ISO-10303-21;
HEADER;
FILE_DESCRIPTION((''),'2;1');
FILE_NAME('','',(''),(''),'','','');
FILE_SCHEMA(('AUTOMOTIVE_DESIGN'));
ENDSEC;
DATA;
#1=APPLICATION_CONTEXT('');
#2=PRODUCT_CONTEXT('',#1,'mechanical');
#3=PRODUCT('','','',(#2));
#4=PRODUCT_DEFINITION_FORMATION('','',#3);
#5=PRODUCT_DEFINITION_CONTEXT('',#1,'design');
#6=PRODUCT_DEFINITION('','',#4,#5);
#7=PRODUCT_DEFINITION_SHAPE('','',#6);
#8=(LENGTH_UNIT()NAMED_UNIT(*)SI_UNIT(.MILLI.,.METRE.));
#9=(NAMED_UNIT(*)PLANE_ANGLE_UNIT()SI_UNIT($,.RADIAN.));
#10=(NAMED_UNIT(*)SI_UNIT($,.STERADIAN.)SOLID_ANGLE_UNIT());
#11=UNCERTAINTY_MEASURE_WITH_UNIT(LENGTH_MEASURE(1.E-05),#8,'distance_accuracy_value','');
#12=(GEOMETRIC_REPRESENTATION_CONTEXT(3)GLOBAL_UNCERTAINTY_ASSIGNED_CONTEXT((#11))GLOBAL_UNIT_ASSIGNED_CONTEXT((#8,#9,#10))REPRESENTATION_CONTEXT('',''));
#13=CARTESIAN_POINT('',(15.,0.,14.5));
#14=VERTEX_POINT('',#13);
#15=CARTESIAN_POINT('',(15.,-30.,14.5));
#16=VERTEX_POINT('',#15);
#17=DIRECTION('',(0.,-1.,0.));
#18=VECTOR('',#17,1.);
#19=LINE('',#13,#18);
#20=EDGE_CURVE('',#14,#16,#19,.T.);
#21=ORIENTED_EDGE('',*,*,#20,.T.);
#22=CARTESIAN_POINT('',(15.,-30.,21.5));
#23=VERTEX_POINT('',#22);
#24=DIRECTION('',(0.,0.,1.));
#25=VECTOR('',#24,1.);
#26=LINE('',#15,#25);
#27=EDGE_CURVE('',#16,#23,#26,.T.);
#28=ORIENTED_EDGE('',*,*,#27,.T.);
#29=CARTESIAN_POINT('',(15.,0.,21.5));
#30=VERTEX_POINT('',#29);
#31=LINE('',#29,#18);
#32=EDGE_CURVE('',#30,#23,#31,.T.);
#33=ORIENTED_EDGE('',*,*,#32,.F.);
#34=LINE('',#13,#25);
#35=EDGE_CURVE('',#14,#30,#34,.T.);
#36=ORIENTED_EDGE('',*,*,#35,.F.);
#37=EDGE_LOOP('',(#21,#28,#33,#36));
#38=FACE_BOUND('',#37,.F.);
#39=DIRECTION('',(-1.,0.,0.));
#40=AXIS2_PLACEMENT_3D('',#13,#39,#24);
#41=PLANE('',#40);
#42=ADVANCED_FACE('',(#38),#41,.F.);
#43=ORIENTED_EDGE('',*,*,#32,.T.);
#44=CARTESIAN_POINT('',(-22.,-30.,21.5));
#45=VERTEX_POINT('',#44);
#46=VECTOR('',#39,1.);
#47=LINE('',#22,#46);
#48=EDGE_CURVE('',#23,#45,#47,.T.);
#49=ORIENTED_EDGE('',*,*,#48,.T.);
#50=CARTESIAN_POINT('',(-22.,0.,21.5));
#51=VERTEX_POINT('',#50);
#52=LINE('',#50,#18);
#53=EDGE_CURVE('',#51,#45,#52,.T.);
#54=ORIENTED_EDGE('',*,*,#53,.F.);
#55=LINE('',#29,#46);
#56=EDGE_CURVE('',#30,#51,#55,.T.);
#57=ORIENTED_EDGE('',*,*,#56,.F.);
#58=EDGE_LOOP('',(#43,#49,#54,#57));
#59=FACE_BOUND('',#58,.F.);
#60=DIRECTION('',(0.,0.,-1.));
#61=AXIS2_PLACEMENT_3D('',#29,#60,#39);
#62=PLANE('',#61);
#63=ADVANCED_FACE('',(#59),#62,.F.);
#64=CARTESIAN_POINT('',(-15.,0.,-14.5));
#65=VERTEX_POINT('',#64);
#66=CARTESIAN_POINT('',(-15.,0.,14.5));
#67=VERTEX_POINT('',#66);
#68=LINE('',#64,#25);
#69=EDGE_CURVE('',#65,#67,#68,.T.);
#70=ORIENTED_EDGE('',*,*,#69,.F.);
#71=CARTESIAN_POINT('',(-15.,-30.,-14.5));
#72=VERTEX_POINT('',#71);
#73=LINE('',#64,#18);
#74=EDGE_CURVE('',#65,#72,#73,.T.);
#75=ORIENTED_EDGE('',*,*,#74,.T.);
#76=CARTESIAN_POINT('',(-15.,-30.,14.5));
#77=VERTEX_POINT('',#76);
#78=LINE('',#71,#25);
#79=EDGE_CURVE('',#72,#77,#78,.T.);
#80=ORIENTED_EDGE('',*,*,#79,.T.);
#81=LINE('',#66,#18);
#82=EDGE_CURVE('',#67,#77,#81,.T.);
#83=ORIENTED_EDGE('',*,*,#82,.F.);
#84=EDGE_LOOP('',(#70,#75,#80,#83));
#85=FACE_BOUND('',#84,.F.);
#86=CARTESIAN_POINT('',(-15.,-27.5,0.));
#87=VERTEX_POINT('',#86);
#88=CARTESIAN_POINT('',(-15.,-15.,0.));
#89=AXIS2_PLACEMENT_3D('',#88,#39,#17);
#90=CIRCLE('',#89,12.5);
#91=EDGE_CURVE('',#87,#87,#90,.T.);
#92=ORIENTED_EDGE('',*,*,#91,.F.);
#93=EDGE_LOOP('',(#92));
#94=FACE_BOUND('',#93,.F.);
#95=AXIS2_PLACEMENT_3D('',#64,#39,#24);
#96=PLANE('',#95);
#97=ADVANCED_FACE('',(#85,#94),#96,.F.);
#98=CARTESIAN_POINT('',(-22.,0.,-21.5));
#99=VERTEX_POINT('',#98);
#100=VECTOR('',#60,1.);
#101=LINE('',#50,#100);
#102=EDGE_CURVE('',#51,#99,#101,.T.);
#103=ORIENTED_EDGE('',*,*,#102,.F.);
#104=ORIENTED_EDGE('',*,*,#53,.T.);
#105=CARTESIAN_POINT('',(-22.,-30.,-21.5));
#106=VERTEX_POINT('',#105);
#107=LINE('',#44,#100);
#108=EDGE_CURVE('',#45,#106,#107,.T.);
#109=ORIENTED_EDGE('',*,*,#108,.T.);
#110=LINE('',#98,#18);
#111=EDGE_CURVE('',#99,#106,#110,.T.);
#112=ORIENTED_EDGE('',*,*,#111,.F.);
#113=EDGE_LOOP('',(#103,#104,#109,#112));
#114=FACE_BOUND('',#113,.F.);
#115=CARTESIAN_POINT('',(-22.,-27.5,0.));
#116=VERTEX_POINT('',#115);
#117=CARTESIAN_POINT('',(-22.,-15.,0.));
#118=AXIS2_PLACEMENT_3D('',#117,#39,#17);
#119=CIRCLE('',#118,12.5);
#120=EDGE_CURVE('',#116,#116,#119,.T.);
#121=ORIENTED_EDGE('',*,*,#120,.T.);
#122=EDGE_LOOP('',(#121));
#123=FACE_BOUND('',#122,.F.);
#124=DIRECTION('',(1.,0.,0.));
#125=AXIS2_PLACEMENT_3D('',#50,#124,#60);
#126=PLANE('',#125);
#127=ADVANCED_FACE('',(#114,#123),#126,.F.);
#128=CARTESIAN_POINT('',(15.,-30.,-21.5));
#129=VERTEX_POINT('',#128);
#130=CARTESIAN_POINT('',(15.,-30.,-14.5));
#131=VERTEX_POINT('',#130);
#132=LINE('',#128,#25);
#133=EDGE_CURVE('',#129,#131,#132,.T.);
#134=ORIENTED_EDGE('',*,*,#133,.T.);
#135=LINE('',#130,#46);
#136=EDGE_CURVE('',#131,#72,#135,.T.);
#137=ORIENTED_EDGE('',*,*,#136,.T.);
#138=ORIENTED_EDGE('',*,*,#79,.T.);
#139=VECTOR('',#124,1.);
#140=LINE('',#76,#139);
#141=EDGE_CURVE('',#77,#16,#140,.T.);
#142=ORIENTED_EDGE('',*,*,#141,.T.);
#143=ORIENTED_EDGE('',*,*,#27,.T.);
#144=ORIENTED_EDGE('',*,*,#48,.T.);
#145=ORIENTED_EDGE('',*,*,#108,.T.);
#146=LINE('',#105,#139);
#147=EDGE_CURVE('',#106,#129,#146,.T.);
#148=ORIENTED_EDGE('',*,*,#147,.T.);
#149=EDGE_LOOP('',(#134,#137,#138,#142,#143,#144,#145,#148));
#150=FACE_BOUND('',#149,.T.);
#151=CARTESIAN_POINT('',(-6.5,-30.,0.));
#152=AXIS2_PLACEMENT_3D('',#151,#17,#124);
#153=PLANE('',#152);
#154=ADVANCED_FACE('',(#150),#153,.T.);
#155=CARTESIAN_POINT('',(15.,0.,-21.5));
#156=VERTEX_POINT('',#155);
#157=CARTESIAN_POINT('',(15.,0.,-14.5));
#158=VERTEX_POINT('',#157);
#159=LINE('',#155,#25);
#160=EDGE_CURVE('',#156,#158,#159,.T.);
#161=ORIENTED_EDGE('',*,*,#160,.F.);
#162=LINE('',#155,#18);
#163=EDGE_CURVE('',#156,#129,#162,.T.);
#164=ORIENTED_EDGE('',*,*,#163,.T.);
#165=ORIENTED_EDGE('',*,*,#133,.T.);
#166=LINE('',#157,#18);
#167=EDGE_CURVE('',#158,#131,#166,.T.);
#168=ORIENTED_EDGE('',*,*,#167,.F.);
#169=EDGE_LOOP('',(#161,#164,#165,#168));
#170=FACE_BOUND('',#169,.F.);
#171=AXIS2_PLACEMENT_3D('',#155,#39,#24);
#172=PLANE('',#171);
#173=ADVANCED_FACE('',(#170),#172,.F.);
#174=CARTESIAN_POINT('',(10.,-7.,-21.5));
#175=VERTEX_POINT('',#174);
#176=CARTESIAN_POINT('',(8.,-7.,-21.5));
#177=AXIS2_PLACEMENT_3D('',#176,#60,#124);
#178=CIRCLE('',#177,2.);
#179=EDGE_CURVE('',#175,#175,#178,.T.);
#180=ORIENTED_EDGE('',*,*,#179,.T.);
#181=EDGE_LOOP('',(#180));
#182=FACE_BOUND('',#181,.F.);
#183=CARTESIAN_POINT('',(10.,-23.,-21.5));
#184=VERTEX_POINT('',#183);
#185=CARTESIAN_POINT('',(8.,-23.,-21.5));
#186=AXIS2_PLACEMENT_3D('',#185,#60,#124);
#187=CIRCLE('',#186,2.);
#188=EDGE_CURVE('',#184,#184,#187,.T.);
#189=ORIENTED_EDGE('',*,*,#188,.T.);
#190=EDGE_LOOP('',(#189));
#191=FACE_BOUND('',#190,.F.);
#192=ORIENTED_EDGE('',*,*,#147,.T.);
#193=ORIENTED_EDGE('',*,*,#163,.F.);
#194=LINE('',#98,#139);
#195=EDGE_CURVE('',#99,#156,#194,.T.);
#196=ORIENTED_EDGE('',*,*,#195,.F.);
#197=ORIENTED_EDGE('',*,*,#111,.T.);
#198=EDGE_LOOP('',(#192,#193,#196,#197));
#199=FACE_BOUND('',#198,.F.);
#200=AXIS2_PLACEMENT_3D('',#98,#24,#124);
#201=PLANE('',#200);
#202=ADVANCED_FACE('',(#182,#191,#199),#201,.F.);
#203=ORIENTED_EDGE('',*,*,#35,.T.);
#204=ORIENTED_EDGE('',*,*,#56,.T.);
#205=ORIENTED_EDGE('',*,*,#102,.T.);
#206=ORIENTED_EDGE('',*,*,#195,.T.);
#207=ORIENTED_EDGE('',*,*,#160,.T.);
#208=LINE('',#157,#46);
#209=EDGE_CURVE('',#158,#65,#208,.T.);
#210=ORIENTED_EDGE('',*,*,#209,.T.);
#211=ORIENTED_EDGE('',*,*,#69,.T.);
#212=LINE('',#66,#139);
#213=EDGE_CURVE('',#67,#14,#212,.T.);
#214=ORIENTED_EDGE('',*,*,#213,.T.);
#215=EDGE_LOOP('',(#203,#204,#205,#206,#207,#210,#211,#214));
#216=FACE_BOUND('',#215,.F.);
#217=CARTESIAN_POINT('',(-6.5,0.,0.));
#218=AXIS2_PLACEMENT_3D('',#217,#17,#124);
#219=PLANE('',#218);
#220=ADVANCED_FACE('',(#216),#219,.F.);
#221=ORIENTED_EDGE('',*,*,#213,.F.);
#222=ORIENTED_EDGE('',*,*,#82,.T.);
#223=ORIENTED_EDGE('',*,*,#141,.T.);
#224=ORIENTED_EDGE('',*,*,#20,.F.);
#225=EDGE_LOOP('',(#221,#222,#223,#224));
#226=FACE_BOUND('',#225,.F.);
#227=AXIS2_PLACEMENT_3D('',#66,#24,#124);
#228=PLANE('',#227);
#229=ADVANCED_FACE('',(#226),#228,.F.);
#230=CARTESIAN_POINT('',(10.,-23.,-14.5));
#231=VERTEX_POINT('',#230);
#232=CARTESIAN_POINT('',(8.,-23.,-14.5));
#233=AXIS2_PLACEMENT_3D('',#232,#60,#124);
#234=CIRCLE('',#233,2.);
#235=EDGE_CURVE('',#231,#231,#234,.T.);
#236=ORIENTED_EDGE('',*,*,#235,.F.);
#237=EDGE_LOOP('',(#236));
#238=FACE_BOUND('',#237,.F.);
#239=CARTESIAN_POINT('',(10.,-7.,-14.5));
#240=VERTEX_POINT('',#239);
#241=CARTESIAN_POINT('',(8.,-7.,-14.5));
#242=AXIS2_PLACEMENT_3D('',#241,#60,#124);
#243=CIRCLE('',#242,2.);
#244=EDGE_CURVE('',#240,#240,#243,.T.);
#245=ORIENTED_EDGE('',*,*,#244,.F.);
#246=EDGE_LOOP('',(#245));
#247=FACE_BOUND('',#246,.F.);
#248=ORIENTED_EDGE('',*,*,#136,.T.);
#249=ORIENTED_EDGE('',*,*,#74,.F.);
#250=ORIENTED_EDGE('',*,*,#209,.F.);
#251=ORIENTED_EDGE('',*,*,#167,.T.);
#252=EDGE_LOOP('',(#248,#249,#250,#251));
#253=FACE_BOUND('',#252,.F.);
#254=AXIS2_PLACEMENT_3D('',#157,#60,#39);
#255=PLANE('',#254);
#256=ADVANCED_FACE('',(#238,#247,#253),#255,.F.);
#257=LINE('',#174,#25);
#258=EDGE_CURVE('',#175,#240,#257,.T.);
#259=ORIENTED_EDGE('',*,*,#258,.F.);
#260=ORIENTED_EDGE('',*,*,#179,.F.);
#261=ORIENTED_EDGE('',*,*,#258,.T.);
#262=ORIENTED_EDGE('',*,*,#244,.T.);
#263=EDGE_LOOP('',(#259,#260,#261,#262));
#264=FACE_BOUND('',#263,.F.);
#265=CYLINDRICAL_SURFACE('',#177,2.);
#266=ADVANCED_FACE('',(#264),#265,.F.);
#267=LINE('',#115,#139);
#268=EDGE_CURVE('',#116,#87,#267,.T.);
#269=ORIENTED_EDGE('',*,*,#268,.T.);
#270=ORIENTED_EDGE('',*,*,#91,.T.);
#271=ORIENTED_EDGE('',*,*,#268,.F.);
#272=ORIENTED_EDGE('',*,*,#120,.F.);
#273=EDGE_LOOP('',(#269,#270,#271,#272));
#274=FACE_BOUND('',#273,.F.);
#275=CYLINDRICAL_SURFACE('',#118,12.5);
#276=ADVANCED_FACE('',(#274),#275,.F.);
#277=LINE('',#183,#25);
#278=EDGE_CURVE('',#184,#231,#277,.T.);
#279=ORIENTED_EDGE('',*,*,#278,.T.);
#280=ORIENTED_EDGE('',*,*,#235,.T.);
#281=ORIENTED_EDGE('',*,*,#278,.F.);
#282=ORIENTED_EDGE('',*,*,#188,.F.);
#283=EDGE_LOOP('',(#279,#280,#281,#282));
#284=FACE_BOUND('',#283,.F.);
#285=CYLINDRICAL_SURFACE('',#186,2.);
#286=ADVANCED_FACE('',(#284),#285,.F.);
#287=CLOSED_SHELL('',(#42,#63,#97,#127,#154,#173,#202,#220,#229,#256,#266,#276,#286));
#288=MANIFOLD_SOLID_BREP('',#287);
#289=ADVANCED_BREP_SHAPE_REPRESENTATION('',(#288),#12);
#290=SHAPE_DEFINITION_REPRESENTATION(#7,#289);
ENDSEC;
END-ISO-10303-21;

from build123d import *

# Parameters (mm, degrees)
F1_DEPTH = 30
F3_R     = 2
F4_DEPTH = 7
F5_R     = 12.5
F6_DEPTH = 7


with BuildPart() as f1:
    # F0 (on Front) → F1 (new body)
    with BuildSketch(Plane.XZ):
        Polygon((15, -21.5), (15, -14.5), (-15, -14.5), (-15, 14.5), (15, 14.5), (15, 21.5), (-22, 21.5), (-22, -21.5), align=None)
    extrude(amount=F1_DEPTH)

    # F3 (on face) → F4 (cut, through all)
    with BuildSketch(Plane(origin=(0, 0, -21.5), x_dir=(1, 0, 0), z_dir=(0, 0, -1))):
        with Locations((8, 23)):
            Circle(F3_R)
        with Locations((8, 7)):
            Circle(F3_R)
    extrude(amount=-F4_DEPTH, mode=Mode.SUBTRACT)

    # F5 (on face) → F6 (cut, through all)
    with BuildSketch(Plane(origin=(-22, 0, 0), x_dir=(0, -1, 0), z_dir=(-1, 0, 0))):
        with Locations((15, 0)):
            Circle(F5_R)
    extrude(amount=-F6_DEPTH, mode=Mode.SUBTRACT)


solid = f1.part
